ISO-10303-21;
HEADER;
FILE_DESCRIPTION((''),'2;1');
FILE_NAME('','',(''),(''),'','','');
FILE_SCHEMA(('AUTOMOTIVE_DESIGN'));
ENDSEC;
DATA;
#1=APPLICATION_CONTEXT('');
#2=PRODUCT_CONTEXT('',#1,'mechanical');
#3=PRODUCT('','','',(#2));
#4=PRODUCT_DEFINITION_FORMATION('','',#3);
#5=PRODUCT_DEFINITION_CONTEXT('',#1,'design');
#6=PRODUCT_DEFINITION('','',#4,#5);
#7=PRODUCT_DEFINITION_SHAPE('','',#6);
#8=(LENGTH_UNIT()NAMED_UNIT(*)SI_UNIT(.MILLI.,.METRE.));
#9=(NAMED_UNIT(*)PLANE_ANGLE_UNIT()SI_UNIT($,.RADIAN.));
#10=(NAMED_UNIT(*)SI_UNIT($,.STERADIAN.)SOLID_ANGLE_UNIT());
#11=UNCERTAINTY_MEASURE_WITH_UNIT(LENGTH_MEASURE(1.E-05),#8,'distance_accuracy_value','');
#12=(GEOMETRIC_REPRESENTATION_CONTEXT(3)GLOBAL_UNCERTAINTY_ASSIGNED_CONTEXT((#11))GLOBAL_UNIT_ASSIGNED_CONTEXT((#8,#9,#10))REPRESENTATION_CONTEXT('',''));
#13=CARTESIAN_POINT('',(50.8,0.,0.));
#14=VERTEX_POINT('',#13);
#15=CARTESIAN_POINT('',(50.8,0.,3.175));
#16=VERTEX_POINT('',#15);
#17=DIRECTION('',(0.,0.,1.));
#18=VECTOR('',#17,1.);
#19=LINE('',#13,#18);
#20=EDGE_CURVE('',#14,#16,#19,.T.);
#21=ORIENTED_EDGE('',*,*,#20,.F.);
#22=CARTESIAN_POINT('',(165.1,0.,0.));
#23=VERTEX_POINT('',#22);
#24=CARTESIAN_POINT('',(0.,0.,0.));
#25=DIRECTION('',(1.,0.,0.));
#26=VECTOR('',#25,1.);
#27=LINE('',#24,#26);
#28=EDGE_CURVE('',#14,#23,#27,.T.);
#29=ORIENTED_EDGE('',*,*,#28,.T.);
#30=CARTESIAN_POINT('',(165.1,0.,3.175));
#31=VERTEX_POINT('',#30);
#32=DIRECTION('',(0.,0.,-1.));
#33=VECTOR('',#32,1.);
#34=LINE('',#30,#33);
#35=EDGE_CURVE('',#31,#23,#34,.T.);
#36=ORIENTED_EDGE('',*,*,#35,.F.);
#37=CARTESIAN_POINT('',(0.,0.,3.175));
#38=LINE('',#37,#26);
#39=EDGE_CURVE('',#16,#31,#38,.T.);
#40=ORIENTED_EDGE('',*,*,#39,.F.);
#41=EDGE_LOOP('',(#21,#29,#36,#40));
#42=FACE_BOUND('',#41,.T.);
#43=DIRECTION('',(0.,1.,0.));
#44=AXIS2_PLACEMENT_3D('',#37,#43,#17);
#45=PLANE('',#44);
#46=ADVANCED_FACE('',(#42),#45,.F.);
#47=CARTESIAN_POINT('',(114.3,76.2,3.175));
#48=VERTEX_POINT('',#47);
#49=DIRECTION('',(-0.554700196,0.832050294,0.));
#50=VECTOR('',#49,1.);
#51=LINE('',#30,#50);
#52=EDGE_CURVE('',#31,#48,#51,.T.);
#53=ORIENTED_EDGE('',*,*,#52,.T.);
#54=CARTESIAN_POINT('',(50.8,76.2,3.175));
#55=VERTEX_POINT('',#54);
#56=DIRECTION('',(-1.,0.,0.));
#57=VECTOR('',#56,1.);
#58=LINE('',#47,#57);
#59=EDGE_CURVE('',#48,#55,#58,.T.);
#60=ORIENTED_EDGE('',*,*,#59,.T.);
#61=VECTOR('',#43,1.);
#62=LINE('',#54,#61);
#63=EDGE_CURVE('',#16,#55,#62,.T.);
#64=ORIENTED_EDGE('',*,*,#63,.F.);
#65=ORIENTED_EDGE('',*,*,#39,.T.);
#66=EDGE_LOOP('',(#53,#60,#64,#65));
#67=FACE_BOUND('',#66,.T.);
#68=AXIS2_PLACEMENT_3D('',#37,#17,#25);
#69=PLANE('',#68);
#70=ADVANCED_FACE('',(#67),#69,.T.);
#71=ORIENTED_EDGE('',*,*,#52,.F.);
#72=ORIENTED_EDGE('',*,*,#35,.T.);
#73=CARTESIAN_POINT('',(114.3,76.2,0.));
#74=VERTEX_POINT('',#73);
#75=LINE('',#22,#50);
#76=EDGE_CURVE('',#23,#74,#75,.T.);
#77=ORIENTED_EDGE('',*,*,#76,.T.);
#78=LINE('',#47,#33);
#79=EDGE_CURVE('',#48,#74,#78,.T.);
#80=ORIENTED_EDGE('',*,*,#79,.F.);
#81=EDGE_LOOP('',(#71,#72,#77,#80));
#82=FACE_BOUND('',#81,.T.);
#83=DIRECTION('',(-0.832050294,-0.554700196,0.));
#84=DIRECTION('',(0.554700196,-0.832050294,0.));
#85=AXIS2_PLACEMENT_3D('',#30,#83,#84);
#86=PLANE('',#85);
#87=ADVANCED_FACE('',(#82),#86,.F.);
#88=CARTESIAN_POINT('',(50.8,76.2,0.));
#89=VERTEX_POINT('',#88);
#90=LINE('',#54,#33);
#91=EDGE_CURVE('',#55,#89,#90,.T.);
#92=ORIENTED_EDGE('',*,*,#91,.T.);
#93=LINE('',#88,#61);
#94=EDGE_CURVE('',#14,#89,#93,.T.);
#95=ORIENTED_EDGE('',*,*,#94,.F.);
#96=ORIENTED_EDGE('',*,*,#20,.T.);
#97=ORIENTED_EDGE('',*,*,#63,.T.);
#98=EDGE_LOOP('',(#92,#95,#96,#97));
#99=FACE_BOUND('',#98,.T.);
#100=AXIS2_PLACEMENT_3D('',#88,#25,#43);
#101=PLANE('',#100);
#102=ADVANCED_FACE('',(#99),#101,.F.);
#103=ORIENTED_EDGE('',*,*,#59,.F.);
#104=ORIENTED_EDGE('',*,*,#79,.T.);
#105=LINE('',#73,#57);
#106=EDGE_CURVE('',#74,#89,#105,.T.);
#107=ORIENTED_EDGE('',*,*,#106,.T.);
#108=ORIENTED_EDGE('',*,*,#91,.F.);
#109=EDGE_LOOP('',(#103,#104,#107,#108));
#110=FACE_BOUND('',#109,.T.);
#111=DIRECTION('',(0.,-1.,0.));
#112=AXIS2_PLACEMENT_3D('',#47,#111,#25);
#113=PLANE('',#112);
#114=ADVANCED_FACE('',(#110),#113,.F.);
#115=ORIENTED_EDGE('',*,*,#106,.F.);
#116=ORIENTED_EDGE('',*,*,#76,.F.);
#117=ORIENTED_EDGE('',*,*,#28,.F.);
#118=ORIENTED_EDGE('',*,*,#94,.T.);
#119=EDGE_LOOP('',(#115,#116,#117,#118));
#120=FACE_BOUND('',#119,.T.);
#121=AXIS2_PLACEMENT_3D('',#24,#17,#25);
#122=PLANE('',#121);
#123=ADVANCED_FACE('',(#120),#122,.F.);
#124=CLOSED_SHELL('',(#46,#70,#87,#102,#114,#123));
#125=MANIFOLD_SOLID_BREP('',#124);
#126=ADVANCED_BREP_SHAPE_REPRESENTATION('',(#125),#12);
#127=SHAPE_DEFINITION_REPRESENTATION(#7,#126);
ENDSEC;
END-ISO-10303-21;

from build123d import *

# Parameters (mm, degrees)
BOSS_EXTRUDE1_DEPTH = 3.175
CUT_EXTRUDE1_DEPTH  = 3.175


with BuildPart() as part:
    # Sketch1 → Boss-Extrude1 (new body)
    with BuildSketch(Plane.XY):
        Polygon((0, 0), (165.1, 0), (114.3, 76.2), (50.8, 76.2), align=None)
    extrude(amount=BOSS_EXTRUDE1_DEPTH)

    # Sketch2 → Cut-Extrude1 (cut)
    with BuildSketch(Plane.XY.offset(3.175)):
        Polygon((50.8, 76.2), (50.8, 0), (0, 0), align=None)
    extrude(amount=-CUT_EXTRUDE1_DEPTH, mode=Mode.SUBTRACT)


solid = part.part
